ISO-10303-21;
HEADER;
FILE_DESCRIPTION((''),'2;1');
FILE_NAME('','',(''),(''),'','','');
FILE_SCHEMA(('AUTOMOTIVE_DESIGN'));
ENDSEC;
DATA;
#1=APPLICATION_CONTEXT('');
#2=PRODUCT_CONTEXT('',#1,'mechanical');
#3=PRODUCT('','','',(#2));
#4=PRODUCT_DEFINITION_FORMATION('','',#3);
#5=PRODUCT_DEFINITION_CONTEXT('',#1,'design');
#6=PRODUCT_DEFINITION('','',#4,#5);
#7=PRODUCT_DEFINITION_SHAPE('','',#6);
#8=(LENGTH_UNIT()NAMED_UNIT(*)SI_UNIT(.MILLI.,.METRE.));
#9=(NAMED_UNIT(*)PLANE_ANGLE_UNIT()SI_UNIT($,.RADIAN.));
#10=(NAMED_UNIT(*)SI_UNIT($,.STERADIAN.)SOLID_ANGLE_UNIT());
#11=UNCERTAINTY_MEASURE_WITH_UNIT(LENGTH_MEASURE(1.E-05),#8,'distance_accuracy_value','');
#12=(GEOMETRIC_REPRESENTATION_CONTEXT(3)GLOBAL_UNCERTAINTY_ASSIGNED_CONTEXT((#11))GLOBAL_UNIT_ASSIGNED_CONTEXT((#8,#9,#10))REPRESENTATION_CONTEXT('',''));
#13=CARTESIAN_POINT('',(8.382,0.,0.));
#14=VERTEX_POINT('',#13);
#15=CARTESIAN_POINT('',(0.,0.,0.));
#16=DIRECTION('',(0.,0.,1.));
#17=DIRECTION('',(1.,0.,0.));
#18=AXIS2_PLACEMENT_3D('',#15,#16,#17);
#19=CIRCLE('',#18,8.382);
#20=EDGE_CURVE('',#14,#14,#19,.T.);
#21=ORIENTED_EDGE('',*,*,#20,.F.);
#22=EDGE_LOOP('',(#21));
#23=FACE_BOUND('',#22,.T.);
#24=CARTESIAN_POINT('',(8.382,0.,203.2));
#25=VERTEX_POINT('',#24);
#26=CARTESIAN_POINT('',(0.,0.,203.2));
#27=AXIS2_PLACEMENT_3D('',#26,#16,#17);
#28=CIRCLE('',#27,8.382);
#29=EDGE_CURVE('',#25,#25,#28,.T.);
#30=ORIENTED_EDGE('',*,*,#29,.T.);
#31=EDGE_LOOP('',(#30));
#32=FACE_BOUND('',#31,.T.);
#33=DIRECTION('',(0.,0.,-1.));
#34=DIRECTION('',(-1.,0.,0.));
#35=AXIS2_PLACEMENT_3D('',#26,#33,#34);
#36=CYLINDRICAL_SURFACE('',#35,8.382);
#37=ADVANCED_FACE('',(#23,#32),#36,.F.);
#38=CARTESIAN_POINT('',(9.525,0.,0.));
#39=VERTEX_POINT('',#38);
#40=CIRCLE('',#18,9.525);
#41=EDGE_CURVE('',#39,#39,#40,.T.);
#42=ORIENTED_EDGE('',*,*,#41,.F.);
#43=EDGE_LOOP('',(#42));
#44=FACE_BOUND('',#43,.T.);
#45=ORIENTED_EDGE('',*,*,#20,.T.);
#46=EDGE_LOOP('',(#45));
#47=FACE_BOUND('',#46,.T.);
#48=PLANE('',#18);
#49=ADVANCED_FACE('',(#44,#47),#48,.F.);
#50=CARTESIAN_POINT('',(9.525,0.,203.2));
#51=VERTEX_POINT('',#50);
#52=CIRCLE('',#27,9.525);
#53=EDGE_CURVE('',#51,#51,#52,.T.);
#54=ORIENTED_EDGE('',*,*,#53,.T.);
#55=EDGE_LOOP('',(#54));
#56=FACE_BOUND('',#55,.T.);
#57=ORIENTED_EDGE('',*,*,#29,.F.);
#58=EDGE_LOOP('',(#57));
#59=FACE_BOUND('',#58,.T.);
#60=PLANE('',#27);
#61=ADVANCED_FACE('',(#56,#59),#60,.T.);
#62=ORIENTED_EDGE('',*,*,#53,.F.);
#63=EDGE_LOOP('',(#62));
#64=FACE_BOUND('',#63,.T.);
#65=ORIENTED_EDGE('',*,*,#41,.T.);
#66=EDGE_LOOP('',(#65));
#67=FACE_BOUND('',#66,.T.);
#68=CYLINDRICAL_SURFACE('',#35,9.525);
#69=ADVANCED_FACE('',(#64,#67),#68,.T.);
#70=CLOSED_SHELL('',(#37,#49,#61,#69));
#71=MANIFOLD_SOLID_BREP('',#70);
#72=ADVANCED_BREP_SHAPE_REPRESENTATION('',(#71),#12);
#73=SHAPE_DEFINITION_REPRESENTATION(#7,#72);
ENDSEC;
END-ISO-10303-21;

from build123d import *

# Parameters (mm, degrees)
SKETCH1_R           = 9.525
SKETCH1_R_2         = 8.382
BOSS_EXTRUDE1_DEPTH = 203.2


with BuildPart() as part:
    # Sketch1 → Boss-Extrude1 (new body)
    with BuildSketch(Plane.XY):
        Circle(SKETCH1_R)
        Circle(SKETCH1_R_2, mode=Mode.SUBTRACT)
    extrude(amount=BOSS_EXTRUDE1_DEPTH)


solid = part.part
